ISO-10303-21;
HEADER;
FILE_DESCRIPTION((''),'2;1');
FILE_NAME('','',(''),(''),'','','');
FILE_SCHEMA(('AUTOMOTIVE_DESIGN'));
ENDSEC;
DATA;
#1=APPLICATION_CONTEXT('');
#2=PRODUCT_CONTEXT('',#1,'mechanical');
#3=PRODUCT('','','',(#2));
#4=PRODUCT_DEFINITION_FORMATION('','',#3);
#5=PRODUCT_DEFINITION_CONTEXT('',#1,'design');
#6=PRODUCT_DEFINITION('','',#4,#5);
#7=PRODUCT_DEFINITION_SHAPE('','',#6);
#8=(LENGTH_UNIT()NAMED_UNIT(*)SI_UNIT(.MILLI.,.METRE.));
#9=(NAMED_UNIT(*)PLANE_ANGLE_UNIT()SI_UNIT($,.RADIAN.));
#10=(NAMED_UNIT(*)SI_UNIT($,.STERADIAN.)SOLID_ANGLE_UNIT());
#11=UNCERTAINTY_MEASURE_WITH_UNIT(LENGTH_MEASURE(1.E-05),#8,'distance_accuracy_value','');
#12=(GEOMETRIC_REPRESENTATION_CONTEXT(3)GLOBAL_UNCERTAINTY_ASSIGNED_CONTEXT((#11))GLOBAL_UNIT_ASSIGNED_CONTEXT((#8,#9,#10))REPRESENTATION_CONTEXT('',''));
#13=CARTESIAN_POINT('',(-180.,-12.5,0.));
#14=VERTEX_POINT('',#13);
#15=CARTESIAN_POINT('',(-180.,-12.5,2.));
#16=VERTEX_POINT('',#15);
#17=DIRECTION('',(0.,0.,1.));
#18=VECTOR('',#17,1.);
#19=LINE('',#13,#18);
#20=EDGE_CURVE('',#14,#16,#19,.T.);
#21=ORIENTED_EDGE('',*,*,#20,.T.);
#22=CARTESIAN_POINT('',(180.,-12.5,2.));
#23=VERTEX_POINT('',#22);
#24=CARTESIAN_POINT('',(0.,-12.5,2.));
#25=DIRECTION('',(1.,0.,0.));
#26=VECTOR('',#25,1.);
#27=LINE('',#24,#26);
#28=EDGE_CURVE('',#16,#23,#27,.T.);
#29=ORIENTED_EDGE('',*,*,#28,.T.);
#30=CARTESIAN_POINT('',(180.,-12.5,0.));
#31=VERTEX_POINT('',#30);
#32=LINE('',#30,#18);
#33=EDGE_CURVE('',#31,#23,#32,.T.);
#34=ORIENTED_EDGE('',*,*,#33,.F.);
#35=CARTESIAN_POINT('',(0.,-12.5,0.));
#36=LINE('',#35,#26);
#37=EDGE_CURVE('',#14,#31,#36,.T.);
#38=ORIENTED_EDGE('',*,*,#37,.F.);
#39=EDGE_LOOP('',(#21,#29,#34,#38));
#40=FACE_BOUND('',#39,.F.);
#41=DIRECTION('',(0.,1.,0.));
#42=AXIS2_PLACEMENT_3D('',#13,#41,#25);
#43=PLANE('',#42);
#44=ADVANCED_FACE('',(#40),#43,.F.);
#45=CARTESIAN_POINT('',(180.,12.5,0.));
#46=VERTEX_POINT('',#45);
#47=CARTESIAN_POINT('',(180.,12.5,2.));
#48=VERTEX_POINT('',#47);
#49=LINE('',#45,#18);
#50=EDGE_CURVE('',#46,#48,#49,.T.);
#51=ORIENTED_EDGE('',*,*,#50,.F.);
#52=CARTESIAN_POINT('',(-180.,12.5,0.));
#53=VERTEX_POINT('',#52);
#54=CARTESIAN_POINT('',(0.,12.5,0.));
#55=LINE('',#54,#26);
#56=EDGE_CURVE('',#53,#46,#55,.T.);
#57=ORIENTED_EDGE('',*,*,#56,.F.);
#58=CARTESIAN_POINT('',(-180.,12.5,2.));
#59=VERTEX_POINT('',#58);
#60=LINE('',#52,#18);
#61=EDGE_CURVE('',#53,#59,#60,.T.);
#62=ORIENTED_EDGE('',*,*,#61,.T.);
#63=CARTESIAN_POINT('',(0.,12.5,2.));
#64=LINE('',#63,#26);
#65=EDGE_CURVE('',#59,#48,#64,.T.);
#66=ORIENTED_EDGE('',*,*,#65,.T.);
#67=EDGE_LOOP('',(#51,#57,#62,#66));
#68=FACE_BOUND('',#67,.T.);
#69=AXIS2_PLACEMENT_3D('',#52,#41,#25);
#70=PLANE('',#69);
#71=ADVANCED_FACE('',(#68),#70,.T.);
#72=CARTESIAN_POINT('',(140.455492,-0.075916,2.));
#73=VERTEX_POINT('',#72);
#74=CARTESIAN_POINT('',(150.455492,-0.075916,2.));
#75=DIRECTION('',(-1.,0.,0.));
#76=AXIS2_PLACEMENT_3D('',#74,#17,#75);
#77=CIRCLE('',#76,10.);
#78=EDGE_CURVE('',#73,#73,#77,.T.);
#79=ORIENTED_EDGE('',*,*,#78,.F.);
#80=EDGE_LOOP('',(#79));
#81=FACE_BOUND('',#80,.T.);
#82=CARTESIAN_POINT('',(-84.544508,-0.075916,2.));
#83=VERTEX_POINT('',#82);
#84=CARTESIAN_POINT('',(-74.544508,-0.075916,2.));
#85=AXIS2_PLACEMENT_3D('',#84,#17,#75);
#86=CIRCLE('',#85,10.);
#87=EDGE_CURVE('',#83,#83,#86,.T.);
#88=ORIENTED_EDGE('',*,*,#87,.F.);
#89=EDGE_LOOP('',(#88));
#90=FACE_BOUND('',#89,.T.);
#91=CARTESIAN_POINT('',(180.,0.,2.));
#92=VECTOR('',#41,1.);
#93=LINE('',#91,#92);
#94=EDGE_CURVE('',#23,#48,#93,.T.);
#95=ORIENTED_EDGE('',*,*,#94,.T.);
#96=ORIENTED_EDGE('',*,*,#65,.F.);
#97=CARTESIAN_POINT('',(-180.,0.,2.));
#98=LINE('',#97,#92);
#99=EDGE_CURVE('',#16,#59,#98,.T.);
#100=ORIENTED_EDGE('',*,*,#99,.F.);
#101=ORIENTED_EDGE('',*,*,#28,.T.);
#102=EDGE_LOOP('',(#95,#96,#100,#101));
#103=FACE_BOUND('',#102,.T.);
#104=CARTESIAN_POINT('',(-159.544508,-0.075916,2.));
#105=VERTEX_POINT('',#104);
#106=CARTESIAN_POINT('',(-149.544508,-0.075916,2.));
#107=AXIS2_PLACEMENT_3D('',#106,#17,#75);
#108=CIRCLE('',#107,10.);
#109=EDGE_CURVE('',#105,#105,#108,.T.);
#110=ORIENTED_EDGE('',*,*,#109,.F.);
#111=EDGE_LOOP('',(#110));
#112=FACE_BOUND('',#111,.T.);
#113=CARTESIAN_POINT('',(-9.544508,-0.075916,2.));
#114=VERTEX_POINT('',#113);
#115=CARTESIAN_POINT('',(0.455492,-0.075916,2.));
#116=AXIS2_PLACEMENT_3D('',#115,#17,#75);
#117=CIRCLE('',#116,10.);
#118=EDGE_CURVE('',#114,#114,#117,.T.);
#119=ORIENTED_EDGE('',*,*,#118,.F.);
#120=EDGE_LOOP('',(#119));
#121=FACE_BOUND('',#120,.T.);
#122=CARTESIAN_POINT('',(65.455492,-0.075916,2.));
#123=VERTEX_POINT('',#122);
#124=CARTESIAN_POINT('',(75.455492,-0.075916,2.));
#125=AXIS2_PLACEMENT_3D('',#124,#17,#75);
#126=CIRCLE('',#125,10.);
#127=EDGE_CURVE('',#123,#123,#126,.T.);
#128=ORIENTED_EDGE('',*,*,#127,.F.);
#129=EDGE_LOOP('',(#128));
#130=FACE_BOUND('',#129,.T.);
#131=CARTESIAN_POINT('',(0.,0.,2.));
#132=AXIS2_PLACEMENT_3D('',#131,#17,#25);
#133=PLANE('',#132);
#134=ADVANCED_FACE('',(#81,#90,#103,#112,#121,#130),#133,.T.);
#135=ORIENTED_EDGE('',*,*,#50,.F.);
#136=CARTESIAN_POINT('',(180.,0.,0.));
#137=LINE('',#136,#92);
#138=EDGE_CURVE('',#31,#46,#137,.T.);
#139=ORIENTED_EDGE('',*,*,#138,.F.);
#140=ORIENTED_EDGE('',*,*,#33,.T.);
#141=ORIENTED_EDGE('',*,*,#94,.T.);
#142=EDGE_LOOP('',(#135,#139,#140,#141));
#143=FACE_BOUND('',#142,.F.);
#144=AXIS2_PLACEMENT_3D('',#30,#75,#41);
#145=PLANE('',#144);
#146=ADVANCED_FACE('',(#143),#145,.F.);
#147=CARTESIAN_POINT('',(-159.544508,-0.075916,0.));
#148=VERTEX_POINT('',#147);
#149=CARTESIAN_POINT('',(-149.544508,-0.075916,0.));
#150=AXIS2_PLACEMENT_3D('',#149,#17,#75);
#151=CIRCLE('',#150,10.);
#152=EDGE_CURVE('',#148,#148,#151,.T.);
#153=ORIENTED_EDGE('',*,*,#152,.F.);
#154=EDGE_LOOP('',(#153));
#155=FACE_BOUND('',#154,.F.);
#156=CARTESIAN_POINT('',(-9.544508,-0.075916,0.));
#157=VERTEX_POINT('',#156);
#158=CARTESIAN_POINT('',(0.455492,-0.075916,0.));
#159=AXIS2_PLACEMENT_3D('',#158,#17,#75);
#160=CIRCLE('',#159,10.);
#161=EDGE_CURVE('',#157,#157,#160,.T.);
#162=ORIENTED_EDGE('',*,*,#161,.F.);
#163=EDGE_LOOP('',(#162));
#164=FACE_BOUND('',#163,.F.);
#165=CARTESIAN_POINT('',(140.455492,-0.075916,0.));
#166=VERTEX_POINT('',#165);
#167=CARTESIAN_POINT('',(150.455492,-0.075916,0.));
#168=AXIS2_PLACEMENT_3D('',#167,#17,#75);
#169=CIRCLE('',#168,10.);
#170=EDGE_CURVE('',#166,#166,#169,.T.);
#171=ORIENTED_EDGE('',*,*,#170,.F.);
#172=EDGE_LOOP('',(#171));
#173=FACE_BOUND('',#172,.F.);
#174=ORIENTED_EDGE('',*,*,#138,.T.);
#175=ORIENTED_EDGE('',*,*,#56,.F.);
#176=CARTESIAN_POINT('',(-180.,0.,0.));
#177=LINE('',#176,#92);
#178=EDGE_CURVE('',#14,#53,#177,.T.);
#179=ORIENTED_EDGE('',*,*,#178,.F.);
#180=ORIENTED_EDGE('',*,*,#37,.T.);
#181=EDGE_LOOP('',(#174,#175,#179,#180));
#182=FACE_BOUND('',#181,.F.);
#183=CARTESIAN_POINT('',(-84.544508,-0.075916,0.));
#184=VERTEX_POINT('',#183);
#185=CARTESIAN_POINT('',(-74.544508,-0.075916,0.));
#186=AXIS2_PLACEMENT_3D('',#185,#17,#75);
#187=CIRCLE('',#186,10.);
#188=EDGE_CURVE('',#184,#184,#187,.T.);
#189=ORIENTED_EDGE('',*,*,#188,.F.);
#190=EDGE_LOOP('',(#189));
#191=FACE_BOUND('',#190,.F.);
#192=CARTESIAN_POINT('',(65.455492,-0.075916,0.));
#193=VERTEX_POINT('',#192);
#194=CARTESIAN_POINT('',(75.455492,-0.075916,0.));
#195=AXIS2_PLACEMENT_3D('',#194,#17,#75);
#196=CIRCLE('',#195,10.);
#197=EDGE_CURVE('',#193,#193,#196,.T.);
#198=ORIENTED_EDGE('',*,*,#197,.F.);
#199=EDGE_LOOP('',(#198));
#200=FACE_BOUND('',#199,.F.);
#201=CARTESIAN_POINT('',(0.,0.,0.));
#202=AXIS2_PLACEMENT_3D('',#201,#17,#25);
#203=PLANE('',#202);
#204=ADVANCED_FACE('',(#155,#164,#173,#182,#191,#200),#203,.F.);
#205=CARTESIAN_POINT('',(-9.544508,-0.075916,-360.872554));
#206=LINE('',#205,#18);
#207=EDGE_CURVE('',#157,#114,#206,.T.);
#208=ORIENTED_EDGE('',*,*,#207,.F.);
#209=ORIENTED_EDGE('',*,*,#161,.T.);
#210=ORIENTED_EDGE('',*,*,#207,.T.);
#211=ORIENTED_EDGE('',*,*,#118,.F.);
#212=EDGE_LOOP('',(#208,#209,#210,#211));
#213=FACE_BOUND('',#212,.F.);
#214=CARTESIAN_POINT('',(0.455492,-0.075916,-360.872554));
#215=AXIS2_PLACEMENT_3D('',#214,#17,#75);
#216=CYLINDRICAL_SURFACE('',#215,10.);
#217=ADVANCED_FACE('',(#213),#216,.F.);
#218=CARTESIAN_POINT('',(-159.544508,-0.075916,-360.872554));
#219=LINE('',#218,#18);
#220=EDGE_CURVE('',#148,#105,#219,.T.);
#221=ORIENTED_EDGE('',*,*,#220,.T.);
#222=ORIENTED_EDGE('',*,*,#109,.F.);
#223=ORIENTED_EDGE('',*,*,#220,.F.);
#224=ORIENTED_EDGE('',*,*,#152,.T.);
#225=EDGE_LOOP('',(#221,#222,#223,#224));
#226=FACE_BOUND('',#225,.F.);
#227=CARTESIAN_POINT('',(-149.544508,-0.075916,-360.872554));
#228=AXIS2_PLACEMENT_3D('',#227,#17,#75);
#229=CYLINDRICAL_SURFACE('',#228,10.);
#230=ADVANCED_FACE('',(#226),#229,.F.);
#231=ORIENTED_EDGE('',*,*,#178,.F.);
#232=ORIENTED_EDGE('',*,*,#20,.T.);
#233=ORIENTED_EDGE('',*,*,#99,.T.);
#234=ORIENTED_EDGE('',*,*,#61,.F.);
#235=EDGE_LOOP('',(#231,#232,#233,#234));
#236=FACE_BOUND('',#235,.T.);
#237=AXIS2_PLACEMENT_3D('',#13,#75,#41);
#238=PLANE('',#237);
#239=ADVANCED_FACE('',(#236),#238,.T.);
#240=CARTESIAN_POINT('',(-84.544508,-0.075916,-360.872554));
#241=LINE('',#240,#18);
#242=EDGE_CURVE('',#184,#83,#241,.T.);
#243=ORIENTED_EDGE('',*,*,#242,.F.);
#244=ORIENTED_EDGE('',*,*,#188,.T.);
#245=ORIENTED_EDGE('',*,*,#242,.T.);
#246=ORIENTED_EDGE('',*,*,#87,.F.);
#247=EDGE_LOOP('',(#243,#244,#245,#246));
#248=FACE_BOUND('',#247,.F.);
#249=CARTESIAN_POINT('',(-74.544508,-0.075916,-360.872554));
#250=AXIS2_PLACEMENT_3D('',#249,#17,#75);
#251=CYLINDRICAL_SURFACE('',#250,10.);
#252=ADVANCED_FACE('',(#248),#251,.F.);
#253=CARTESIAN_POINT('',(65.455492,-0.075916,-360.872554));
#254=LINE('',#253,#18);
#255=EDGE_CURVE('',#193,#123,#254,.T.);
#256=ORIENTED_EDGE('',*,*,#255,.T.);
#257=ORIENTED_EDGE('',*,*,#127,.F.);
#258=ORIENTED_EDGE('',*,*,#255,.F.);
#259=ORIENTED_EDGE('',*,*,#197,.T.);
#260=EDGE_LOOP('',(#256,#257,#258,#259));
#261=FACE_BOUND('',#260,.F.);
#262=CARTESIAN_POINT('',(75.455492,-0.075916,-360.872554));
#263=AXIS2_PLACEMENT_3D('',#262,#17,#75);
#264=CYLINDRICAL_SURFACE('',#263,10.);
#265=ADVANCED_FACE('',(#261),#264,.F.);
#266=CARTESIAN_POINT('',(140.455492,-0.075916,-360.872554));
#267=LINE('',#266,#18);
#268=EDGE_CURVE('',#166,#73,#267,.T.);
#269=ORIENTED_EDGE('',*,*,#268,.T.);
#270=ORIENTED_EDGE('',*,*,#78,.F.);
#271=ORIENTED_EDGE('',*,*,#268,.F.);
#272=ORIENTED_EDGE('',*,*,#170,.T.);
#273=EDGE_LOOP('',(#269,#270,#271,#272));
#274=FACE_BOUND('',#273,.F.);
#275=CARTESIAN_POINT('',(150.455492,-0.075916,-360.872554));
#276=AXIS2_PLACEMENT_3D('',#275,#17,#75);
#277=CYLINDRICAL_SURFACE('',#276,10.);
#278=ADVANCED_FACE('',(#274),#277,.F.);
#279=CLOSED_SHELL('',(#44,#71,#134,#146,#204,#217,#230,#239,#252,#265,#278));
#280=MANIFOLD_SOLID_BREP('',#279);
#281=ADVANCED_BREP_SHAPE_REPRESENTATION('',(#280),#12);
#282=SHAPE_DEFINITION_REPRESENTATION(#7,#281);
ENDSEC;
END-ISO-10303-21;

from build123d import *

# Parameters (mm, degrees)
F0_W     = 360
F0_H     = 25
F1_DEPTH = 2
F3_D     = 20


with BuildPart() as f1:
    # F0 (on Top) → F1 (new body)
    with BuildSketch(Plane.XY):
        Rectangle(F0_W, F0_H)
    extrude(amount=F1_DEPTH)

    # F3 (through all)
    with Locations(Plane(origin=(0, 0, 0), x_dir=(1, 0, 0), z_dir=(0, 0, -1))):
        with Locations((-149.5445084572, 0.0759156421), (-74.5445084572, 0.0759156421), (0.4554915428, 0.0759156421), (75.4554915428, 0.0759156421), (150.4554915428, 0.0759156421)):
            Hole(F3_D / 2)


solid = f1.part
